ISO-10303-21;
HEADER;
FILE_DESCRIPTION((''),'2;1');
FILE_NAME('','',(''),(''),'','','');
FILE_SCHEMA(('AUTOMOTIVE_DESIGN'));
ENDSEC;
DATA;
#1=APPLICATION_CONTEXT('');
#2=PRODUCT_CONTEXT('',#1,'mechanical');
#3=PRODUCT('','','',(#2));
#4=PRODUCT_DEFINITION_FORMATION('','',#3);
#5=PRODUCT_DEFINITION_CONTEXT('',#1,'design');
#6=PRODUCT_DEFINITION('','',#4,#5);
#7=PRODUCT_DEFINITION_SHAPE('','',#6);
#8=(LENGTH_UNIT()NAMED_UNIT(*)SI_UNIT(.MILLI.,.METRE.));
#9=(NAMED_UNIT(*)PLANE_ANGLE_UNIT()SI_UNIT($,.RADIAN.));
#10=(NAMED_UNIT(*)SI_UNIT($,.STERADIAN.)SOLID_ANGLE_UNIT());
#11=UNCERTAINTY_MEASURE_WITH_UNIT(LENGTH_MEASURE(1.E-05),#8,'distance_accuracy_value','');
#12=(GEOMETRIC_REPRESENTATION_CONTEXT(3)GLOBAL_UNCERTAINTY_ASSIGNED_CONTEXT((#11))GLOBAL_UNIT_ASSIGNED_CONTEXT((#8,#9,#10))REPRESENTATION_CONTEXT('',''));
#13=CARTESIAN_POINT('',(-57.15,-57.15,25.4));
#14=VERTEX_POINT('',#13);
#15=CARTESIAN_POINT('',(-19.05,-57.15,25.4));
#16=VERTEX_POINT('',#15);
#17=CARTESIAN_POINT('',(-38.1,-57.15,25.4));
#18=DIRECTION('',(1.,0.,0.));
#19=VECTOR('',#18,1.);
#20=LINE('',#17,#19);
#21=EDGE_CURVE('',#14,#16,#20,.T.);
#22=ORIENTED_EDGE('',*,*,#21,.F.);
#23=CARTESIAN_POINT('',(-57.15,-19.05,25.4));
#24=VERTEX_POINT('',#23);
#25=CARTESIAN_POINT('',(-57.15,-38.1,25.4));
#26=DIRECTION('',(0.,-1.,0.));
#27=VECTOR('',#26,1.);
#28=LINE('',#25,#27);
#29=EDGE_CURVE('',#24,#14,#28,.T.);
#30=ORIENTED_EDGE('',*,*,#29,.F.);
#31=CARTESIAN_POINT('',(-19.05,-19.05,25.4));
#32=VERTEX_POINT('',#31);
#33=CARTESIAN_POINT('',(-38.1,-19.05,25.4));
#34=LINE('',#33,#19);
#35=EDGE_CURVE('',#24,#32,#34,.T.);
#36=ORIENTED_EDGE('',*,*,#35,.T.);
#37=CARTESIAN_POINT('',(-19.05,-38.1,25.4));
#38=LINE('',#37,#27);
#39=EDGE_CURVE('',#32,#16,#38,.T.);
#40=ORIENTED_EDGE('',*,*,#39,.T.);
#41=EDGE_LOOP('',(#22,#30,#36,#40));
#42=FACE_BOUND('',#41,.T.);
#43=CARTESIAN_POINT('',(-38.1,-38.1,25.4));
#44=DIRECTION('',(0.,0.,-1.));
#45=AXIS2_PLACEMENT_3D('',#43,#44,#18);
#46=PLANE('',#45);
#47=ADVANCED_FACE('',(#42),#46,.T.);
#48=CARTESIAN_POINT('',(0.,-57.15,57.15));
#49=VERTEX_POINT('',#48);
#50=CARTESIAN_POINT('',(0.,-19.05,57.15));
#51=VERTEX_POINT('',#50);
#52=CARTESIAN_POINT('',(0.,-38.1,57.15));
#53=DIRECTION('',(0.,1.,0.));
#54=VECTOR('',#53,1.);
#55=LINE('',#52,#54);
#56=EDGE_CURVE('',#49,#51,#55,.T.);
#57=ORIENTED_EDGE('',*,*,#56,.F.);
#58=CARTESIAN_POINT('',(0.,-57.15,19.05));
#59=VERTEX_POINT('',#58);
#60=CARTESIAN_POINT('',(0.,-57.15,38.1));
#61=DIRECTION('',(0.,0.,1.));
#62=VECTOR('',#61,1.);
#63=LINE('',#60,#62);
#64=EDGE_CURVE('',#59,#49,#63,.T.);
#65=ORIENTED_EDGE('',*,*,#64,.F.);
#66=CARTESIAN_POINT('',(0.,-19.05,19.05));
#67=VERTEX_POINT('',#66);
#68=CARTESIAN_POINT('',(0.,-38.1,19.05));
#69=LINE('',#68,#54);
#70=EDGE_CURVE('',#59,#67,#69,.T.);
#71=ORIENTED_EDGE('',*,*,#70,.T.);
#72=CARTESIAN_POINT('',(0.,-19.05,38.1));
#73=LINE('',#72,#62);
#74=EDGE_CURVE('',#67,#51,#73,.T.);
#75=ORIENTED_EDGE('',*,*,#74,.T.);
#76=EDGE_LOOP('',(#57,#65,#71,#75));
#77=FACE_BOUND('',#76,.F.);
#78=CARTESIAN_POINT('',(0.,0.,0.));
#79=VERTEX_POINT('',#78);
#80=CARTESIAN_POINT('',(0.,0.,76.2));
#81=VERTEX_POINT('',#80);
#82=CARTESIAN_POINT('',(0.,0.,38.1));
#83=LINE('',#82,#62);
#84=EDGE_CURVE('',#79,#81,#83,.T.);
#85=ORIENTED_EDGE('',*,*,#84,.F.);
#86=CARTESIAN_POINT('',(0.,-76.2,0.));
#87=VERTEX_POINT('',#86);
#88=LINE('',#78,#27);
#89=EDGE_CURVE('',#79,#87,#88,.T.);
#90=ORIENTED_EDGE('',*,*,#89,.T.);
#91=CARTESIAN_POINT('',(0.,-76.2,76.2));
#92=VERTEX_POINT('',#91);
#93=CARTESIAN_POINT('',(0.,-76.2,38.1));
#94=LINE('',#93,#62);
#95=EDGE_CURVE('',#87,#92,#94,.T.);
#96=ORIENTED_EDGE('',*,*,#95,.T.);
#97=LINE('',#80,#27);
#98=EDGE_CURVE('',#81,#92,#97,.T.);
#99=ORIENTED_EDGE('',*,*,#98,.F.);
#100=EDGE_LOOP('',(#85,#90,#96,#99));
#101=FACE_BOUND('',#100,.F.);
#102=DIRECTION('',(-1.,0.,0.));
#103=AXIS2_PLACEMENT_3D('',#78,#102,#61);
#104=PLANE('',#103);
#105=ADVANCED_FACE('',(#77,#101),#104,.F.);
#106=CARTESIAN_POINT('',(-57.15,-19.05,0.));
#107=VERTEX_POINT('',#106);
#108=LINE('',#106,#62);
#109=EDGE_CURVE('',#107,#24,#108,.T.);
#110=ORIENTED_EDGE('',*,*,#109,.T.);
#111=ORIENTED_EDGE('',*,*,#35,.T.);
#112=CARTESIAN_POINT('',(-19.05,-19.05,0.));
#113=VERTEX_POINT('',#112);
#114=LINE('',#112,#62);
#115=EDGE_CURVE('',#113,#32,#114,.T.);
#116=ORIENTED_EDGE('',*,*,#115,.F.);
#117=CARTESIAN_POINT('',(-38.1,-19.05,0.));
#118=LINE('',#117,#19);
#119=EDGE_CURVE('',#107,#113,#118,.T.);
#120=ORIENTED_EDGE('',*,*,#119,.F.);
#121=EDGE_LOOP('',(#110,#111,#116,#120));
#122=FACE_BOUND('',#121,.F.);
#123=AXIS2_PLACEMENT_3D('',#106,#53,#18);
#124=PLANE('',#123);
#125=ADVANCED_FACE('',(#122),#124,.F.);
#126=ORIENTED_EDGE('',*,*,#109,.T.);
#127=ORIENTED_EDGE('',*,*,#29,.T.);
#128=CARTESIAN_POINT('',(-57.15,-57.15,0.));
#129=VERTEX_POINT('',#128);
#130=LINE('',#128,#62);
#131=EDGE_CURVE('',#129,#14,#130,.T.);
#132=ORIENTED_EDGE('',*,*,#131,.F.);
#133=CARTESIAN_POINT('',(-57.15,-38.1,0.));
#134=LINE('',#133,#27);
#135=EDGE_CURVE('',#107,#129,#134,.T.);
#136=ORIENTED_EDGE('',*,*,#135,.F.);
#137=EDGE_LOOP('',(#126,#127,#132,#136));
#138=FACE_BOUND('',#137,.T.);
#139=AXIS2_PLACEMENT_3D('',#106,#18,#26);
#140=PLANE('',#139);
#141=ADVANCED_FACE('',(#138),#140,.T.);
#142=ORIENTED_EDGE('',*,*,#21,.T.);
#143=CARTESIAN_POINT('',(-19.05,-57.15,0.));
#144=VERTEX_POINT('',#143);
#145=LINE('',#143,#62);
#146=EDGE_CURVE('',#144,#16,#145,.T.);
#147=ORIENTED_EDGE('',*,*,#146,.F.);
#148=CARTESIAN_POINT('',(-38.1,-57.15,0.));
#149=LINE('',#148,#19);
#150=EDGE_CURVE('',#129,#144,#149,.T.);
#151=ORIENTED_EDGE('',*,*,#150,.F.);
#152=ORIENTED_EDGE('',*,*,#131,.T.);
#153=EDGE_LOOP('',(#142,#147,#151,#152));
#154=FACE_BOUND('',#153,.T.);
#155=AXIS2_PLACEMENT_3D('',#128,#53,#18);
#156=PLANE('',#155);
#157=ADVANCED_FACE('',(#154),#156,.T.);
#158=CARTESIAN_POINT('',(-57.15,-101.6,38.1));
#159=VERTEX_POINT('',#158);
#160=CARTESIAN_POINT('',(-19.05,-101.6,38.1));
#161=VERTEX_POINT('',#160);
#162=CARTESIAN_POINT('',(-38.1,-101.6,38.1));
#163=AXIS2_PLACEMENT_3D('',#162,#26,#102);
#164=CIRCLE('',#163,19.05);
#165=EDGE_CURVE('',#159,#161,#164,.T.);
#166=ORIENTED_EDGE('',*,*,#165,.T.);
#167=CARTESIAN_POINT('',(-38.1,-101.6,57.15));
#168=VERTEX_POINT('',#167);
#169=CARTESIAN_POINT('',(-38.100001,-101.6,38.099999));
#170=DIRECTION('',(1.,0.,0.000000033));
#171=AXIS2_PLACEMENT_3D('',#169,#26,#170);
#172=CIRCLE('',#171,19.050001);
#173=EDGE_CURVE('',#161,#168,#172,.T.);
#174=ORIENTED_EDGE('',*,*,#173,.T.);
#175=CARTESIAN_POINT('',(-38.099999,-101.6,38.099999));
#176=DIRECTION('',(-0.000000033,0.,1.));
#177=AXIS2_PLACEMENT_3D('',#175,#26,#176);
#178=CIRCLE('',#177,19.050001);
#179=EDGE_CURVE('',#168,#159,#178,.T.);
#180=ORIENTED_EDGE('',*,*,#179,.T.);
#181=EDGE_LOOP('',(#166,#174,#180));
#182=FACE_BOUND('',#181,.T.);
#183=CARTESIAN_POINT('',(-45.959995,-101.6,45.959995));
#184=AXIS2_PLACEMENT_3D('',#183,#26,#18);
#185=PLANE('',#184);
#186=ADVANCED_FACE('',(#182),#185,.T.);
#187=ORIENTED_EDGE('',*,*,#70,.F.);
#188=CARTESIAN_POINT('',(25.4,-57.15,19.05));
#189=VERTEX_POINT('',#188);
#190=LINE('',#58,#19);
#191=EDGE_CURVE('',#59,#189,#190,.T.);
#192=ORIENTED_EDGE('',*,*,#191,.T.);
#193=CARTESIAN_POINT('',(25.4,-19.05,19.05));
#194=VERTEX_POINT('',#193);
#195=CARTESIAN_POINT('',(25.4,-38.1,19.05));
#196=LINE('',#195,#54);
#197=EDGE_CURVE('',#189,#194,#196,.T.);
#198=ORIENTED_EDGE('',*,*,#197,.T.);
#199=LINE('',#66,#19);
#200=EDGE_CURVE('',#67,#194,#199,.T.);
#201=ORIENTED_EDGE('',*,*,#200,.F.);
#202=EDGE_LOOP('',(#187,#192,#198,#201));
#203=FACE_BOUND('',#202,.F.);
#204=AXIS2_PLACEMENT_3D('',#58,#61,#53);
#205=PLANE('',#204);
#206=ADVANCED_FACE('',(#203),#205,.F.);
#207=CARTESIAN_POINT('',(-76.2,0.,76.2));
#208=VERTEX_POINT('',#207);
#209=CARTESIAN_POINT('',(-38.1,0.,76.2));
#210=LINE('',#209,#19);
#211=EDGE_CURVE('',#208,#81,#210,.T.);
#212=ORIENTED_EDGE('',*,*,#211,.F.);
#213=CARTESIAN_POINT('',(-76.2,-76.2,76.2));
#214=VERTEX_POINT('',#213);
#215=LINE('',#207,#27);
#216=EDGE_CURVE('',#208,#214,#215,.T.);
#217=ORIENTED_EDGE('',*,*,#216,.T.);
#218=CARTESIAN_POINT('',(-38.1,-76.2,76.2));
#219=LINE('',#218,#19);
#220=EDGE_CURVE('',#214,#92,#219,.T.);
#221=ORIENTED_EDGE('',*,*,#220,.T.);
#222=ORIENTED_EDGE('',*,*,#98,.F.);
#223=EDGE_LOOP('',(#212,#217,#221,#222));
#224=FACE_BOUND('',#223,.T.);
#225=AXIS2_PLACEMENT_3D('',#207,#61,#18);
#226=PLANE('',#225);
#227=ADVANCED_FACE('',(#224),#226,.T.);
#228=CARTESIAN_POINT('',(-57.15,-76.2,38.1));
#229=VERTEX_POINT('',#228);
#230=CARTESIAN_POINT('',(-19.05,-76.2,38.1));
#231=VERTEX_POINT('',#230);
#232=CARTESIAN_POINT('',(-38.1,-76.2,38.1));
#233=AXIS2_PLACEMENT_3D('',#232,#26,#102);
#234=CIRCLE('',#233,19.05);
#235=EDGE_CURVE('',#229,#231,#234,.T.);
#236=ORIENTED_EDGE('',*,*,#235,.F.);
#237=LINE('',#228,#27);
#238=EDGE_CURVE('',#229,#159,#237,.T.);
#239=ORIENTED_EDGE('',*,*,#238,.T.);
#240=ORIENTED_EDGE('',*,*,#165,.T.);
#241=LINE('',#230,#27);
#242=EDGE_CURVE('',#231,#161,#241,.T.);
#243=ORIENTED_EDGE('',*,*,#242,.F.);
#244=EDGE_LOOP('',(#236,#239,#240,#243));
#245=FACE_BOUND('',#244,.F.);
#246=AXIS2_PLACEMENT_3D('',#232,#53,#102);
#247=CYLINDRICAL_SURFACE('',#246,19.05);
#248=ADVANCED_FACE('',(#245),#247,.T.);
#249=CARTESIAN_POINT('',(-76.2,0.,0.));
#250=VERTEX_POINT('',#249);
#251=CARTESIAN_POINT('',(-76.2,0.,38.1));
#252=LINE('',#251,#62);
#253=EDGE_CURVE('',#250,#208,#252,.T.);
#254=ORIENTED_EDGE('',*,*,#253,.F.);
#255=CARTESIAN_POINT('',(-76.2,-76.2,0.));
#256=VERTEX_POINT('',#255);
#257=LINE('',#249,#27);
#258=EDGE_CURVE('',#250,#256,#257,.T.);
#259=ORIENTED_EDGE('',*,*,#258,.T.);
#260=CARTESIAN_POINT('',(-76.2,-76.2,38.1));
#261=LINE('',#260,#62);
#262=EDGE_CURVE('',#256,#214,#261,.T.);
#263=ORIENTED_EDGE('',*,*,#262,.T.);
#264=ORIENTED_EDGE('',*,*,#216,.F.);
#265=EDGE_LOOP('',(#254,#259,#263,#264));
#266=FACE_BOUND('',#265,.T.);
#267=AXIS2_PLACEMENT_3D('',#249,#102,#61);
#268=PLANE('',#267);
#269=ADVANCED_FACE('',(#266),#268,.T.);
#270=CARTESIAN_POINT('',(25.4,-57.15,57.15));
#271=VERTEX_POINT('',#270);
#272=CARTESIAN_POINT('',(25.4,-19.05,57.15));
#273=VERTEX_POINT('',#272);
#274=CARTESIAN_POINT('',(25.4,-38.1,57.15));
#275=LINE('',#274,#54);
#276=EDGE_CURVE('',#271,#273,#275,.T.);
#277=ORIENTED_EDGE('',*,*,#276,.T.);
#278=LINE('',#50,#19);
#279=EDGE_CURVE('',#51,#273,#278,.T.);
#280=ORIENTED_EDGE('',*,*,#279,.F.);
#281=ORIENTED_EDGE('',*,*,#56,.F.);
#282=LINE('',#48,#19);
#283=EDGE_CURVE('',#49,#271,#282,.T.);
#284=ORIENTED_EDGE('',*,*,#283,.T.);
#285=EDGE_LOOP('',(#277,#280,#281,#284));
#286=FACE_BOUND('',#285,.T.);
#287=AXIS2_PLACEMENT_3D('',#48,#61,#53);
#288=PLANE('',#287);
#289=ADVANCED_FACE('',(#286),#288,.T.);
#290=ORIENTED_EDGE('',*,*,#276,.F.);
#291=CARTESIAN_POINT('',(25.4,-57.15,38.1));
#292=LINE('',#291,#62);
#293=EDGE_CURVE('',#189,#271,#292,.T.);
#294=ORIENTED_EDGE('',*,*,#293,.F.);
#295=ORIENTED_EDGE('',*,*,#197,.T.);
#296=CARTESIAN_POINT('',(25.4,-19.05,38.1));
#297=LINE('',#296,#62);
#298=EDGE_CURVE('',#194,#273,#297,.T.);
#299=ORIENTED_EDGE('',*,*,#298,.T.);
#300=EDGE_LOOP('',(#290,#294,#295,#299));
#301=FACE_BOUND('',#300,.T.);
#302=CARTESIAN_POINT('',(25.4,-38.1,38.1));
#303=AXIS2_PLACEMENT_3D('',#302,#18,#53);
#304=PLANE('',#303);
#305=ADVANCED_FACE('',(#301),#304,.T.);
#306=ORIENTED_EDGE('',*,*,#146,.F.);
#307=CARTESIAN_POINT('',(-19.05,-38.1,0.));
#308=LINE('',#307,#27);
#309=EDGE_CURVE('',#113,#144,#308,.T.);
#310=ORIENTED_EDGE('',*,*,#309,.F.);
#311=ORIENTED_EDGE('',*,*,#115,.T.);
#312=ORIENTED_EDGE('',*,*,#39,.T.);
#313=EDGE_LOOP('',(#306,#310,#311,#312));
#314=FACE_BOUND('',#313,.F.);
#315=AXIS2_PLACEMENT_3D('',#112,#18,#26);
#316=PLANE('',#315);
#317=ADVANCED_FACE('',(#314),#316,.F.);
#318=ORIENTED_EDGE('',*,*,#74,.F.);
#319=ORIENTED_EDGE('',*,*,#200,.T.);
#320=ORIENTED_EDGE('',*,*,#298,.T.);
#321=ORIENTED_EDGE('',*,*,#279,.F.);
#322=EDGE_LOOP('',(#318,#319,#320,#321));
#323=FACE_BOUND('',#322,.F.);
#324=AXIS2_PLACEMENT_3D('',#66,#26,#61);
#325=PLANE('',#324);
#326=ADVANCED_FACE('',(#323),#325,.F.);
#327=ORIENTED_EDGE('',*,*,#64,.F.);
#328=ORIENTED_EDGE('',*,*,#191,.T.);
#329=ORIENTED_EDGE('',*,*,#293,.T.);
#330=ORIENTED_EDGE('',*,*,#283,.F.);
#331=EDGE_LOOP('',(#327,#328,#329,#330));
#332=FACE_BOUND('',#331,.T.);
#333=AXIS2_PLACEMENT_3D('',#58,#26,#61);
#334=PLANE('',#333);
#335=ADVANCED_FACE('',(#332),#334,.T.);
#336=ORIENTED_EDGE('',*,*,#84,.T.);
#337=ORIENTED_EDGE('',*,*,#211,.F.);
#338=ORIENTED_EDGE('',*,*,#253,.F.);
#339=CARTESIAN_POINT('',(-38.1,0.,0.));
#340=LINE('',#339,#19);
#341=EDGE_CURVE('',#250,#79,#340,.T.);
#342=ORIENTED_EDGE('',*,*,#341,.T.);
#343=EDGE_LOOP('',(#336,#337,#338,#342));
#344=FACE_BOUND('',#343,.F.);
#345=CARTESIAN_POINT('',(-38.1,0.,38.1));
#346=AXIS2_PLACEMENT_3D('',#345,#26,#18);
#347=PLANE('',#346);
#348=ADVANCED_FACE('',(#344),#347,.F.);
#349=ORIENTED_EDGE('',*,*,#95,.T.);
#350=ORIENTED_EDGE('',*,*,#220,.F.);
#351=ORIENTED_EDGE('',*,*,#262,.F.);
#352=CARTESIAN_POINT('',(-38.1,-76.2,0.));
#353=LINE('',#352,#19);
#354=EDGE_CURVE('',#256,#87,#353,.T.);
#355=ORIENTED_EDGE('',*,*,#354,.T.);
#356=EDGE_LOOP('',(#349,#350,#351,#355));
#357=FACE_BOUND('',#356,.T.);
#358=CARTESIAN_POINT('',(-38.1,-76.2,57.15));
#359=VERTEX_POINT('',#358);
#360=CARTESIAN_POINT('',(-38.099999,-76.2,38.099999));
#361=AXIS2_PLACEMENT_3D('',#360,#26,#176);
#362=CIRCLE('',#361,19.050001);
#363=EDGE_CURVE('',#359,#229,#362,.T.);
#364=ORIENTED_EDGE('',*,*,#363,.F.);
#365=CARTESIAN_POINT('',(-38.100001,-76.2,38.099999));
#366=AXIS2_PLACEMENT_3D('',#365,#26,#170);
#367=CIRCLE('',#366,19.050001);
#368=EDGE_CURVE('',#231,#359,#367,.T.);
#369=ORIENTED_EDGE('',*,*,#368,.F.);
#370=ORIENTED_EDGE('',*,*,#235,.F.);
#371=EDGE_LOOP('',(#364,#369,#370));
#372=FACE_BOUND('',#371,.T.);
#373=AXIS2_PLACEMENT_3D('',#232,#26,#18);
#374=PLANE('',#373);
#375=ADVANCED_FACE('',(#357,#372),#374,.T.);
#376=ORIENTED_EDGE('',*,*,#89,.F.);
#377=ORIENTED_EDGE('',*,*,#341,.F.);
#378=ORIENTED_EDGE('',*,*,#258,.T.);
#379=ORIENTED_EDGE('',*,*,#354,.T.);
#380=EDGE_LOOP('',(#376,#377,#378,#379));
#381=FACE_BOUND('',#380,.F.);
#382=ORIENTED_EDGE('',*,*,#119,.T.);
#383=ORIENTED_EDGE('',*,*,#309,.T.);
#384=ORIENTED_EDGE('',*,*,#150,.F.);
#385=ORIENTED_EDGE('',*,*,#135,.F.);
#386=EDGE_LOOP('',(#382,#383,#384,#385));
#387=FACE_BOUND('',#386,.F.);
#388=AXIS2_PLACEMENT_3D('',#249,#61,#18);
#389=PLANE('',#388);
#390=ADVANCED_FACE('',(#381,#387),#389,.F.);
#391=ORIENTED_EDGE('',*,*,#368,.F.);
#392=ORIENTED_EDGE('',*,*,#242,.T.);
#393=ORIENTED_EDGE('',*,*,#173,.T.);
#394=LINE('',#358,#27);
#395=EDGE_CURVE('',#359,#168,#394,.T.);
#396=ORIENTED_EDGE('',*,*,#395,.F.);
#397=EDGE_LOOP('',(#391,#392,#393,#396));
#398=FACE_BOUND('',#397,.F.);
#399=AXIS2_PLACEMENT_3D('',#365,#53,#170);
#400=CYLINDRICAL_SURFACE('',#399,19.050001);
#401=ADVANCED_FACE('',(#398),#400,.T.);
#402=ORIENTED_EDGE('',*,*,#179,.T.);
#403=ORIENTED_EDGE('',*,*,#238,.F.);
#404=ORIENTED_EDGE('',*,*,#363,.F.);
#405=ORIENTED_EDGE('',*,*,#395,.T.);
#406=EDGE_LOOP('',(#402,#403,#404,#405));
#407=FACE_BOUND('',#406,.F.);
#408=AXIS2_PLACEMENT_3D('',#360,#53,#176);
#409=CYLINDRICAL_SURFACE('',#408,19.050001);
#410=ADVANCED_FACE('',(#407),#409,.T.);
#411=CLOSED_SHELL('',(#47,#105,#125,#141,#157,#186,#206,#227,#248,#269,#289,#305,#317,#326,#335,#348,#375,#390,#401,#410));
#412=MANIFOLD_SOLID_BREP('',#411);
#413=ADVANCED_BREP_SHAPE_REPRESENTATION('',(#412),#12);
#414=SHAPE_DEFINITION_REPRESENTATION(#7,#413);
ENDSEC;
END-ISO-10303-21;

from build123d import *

# Parameters (mm, degrees)
F0_W     = 76.2
F0_H     = 76.2
F1_DEPTH = 76.2
F3_DEPTH = 25.4
F4_W     = 38.1
F4_H     = 38.1
F5_DEPTH = 25.4
F6_W     = 38.1
F6_H     = 38.1
F7_DEPTH = 25.4


with BuildPart() as f1:
    # F0 (on Front) → F1 (new body)
    with BuildSketch(Plane.XZ):
        with Locations((-38.1, 38.1)):
            Rectangle(F0_W, F0_H)
    extrude(amount=F1_DEPTH)

    # F2 (on face) → F3 (join)
    with BuildSketch(Plane.XZ.offset(76.2)):
        with BuildLine():
            Line((-38.1, 38.1), (-38.1, 57.15))
            ThreePointArc((-38.1, 57.15), (-51.570384, 51.570384), (-57.15, 38.1))
            Line((-57.15, 38.1), (-38.1, 38.1))
        make_face()
        with BuildLine():
            ThreePointArc((-57.15, 38.1), (-38.1, 19.05), (-19.05, 38.1))
            ThreePointArc((-19.05, 38.1), (-24.629616, 51.570384), (-38.1, 57.15))
            Line((-38.1, 57.15), (-38.1, 38.1))
            Line((-38.1, 38.1), (-57.15, 38.1))
        make_face()
    extrude(amount=F3_DEPTH)

    # F4 (on face) → F5 (join)
    with BuildSketch(Plane.YZ):
        with Locations((-38.1, 38.1)):
            Rectangle(F4_W, F4_H)
    extrude(amount=F5_DEPTH)

    # F6 (on face) → F7 (cut)
    with BuildSketch(Plane(origin=(0, 0, 0), x_dir=(1, 0, 0), z_dir=(0, 0, -1))):
        with Locations((-38.1, 38.1)):
            Rectangle(F6_W, F6_H)
    extrude(amount=-F7_DEPTH, mode=Mode.SUBTRACT)


solid = f1.part
